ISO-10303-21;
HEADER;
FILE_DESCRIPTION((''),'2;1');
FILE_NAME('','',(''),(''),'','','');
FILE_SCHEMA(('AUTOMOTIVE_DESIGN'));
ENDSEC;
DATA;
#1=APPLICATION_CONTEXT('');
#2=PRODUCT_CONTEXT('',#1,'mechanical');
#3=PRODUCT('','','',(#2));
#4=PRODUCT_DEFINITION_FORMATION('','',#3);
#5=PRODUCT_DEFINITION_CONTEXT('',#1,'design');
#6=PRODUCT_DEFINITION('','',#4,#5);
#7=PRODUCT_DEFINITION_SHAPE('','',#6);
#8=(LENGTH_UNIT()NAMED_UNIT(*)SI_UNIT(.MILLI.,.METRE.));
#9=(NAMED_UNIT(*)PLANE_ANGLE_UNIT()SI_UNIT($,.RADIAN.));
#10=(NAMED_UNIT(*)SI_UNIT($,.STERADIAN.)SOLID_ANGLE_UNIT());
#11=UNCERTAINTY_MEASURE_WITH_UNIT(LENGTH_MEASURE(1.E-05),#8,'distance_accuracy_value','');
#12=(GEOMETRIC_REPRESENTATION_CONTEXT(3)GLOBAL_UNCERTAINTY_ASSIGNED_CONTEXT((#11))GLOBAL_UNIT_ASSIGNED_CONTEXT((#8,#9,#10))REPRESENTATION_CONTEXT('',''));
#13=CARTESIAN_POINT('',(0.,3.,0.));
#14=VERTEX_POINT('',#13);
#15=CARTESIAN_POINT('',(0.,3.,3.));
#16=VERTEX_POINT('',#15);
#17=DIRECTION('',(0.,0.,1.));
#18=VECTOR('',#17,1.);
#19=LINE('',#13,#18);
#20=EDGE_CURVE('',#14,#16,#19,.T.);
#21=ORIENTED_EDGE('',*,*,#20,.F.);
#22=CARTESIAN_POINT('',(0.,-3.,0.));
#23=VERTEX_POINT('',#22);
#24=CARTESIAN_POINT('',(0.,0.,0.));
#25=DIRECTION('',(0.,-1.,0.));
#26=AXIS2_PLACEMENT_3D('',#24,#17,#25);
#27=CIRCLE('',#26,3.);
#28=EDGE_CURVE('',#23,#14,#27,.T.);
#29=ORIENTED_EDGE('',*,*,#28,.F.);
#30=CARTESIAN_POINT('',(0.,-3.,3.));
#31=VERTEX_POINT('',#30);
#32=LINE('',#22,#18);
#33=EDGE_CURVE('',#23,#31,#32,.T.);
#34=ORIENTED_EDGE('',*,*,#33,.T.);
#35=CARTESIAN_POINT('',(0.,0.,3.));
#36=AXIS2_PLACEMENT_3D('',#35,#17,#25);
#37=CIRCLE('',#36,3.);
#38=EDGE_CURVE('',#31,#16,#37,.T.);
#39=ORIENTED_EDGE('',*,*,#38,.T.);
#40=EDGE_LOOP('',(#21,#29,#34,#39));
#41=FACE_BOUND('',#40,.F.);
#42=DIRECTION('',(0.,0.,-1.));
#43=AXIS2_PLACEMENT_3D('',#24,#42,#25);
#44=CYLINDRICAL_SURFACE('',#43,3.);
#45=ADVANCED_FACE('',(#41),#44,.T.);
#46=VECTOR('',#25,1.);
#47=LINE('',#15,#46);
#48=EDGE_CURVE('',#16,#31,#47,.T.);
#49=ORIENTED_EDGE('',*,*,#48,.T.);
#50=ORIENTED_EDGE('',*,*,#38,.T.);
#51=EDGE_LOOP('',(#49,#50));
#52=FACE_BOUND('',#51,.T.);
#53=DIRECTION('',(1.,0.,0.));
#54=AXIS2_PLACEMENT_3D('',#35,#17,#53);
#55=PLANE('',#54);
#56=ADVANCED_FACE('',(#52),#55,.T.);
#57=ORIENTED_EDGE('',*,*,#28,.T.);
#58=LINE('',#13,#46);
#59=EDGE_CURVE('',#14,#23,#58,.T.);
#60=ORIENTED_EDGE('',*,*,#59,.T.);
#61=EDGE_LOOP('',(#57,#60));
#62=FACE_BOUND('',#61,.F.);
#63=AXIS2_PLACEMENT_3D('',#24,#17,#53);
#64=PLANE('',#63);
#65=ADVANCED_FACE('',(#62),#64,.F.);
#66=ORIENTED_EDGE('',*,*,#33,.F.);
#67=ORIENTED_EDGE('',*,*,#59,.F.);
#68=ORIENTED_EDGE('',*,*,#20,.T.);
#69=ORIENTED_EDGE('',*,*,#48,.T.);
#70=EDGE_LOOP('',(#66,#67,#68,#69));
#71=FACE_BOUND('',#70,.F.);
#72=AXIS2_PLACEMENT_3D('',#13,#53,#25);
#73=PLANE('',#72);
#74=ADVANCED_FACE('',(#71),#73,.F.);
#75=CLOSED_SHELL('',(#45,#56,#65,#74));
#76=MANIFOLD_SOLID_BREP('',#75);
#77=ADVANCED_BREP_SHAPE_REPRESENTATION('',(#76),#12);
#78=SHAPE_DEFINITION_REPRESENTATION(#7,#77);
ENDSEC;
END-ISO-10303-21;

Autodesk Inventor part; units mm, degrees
ref_plane "YZ Plane" through (0, 0, 0) normal (1, 0, 0) x (0, 1, 0)
ref_plane "XZ Plane" through (0, 0, 0) normal (0, 1, 0) x (-1, 0, 0)
ref_plane "XY Plane" through (0, 0, 0) normal (0, 0, 1) x (1, 0, 0)
sketch "Sketch1" plane through (0, 0, 0) normal (0, 0, 1) x (1, 0, 0)
  arc A0 (0, -3) -> (0, 3) centre (0, 0) ccw
  line L0 (0, 3) -> (0, -3)
  dimension "d0" = 3
extrude "Extrusion1" add sketch "Sketch1" along normal blind 3
properties part number "half_mag"
